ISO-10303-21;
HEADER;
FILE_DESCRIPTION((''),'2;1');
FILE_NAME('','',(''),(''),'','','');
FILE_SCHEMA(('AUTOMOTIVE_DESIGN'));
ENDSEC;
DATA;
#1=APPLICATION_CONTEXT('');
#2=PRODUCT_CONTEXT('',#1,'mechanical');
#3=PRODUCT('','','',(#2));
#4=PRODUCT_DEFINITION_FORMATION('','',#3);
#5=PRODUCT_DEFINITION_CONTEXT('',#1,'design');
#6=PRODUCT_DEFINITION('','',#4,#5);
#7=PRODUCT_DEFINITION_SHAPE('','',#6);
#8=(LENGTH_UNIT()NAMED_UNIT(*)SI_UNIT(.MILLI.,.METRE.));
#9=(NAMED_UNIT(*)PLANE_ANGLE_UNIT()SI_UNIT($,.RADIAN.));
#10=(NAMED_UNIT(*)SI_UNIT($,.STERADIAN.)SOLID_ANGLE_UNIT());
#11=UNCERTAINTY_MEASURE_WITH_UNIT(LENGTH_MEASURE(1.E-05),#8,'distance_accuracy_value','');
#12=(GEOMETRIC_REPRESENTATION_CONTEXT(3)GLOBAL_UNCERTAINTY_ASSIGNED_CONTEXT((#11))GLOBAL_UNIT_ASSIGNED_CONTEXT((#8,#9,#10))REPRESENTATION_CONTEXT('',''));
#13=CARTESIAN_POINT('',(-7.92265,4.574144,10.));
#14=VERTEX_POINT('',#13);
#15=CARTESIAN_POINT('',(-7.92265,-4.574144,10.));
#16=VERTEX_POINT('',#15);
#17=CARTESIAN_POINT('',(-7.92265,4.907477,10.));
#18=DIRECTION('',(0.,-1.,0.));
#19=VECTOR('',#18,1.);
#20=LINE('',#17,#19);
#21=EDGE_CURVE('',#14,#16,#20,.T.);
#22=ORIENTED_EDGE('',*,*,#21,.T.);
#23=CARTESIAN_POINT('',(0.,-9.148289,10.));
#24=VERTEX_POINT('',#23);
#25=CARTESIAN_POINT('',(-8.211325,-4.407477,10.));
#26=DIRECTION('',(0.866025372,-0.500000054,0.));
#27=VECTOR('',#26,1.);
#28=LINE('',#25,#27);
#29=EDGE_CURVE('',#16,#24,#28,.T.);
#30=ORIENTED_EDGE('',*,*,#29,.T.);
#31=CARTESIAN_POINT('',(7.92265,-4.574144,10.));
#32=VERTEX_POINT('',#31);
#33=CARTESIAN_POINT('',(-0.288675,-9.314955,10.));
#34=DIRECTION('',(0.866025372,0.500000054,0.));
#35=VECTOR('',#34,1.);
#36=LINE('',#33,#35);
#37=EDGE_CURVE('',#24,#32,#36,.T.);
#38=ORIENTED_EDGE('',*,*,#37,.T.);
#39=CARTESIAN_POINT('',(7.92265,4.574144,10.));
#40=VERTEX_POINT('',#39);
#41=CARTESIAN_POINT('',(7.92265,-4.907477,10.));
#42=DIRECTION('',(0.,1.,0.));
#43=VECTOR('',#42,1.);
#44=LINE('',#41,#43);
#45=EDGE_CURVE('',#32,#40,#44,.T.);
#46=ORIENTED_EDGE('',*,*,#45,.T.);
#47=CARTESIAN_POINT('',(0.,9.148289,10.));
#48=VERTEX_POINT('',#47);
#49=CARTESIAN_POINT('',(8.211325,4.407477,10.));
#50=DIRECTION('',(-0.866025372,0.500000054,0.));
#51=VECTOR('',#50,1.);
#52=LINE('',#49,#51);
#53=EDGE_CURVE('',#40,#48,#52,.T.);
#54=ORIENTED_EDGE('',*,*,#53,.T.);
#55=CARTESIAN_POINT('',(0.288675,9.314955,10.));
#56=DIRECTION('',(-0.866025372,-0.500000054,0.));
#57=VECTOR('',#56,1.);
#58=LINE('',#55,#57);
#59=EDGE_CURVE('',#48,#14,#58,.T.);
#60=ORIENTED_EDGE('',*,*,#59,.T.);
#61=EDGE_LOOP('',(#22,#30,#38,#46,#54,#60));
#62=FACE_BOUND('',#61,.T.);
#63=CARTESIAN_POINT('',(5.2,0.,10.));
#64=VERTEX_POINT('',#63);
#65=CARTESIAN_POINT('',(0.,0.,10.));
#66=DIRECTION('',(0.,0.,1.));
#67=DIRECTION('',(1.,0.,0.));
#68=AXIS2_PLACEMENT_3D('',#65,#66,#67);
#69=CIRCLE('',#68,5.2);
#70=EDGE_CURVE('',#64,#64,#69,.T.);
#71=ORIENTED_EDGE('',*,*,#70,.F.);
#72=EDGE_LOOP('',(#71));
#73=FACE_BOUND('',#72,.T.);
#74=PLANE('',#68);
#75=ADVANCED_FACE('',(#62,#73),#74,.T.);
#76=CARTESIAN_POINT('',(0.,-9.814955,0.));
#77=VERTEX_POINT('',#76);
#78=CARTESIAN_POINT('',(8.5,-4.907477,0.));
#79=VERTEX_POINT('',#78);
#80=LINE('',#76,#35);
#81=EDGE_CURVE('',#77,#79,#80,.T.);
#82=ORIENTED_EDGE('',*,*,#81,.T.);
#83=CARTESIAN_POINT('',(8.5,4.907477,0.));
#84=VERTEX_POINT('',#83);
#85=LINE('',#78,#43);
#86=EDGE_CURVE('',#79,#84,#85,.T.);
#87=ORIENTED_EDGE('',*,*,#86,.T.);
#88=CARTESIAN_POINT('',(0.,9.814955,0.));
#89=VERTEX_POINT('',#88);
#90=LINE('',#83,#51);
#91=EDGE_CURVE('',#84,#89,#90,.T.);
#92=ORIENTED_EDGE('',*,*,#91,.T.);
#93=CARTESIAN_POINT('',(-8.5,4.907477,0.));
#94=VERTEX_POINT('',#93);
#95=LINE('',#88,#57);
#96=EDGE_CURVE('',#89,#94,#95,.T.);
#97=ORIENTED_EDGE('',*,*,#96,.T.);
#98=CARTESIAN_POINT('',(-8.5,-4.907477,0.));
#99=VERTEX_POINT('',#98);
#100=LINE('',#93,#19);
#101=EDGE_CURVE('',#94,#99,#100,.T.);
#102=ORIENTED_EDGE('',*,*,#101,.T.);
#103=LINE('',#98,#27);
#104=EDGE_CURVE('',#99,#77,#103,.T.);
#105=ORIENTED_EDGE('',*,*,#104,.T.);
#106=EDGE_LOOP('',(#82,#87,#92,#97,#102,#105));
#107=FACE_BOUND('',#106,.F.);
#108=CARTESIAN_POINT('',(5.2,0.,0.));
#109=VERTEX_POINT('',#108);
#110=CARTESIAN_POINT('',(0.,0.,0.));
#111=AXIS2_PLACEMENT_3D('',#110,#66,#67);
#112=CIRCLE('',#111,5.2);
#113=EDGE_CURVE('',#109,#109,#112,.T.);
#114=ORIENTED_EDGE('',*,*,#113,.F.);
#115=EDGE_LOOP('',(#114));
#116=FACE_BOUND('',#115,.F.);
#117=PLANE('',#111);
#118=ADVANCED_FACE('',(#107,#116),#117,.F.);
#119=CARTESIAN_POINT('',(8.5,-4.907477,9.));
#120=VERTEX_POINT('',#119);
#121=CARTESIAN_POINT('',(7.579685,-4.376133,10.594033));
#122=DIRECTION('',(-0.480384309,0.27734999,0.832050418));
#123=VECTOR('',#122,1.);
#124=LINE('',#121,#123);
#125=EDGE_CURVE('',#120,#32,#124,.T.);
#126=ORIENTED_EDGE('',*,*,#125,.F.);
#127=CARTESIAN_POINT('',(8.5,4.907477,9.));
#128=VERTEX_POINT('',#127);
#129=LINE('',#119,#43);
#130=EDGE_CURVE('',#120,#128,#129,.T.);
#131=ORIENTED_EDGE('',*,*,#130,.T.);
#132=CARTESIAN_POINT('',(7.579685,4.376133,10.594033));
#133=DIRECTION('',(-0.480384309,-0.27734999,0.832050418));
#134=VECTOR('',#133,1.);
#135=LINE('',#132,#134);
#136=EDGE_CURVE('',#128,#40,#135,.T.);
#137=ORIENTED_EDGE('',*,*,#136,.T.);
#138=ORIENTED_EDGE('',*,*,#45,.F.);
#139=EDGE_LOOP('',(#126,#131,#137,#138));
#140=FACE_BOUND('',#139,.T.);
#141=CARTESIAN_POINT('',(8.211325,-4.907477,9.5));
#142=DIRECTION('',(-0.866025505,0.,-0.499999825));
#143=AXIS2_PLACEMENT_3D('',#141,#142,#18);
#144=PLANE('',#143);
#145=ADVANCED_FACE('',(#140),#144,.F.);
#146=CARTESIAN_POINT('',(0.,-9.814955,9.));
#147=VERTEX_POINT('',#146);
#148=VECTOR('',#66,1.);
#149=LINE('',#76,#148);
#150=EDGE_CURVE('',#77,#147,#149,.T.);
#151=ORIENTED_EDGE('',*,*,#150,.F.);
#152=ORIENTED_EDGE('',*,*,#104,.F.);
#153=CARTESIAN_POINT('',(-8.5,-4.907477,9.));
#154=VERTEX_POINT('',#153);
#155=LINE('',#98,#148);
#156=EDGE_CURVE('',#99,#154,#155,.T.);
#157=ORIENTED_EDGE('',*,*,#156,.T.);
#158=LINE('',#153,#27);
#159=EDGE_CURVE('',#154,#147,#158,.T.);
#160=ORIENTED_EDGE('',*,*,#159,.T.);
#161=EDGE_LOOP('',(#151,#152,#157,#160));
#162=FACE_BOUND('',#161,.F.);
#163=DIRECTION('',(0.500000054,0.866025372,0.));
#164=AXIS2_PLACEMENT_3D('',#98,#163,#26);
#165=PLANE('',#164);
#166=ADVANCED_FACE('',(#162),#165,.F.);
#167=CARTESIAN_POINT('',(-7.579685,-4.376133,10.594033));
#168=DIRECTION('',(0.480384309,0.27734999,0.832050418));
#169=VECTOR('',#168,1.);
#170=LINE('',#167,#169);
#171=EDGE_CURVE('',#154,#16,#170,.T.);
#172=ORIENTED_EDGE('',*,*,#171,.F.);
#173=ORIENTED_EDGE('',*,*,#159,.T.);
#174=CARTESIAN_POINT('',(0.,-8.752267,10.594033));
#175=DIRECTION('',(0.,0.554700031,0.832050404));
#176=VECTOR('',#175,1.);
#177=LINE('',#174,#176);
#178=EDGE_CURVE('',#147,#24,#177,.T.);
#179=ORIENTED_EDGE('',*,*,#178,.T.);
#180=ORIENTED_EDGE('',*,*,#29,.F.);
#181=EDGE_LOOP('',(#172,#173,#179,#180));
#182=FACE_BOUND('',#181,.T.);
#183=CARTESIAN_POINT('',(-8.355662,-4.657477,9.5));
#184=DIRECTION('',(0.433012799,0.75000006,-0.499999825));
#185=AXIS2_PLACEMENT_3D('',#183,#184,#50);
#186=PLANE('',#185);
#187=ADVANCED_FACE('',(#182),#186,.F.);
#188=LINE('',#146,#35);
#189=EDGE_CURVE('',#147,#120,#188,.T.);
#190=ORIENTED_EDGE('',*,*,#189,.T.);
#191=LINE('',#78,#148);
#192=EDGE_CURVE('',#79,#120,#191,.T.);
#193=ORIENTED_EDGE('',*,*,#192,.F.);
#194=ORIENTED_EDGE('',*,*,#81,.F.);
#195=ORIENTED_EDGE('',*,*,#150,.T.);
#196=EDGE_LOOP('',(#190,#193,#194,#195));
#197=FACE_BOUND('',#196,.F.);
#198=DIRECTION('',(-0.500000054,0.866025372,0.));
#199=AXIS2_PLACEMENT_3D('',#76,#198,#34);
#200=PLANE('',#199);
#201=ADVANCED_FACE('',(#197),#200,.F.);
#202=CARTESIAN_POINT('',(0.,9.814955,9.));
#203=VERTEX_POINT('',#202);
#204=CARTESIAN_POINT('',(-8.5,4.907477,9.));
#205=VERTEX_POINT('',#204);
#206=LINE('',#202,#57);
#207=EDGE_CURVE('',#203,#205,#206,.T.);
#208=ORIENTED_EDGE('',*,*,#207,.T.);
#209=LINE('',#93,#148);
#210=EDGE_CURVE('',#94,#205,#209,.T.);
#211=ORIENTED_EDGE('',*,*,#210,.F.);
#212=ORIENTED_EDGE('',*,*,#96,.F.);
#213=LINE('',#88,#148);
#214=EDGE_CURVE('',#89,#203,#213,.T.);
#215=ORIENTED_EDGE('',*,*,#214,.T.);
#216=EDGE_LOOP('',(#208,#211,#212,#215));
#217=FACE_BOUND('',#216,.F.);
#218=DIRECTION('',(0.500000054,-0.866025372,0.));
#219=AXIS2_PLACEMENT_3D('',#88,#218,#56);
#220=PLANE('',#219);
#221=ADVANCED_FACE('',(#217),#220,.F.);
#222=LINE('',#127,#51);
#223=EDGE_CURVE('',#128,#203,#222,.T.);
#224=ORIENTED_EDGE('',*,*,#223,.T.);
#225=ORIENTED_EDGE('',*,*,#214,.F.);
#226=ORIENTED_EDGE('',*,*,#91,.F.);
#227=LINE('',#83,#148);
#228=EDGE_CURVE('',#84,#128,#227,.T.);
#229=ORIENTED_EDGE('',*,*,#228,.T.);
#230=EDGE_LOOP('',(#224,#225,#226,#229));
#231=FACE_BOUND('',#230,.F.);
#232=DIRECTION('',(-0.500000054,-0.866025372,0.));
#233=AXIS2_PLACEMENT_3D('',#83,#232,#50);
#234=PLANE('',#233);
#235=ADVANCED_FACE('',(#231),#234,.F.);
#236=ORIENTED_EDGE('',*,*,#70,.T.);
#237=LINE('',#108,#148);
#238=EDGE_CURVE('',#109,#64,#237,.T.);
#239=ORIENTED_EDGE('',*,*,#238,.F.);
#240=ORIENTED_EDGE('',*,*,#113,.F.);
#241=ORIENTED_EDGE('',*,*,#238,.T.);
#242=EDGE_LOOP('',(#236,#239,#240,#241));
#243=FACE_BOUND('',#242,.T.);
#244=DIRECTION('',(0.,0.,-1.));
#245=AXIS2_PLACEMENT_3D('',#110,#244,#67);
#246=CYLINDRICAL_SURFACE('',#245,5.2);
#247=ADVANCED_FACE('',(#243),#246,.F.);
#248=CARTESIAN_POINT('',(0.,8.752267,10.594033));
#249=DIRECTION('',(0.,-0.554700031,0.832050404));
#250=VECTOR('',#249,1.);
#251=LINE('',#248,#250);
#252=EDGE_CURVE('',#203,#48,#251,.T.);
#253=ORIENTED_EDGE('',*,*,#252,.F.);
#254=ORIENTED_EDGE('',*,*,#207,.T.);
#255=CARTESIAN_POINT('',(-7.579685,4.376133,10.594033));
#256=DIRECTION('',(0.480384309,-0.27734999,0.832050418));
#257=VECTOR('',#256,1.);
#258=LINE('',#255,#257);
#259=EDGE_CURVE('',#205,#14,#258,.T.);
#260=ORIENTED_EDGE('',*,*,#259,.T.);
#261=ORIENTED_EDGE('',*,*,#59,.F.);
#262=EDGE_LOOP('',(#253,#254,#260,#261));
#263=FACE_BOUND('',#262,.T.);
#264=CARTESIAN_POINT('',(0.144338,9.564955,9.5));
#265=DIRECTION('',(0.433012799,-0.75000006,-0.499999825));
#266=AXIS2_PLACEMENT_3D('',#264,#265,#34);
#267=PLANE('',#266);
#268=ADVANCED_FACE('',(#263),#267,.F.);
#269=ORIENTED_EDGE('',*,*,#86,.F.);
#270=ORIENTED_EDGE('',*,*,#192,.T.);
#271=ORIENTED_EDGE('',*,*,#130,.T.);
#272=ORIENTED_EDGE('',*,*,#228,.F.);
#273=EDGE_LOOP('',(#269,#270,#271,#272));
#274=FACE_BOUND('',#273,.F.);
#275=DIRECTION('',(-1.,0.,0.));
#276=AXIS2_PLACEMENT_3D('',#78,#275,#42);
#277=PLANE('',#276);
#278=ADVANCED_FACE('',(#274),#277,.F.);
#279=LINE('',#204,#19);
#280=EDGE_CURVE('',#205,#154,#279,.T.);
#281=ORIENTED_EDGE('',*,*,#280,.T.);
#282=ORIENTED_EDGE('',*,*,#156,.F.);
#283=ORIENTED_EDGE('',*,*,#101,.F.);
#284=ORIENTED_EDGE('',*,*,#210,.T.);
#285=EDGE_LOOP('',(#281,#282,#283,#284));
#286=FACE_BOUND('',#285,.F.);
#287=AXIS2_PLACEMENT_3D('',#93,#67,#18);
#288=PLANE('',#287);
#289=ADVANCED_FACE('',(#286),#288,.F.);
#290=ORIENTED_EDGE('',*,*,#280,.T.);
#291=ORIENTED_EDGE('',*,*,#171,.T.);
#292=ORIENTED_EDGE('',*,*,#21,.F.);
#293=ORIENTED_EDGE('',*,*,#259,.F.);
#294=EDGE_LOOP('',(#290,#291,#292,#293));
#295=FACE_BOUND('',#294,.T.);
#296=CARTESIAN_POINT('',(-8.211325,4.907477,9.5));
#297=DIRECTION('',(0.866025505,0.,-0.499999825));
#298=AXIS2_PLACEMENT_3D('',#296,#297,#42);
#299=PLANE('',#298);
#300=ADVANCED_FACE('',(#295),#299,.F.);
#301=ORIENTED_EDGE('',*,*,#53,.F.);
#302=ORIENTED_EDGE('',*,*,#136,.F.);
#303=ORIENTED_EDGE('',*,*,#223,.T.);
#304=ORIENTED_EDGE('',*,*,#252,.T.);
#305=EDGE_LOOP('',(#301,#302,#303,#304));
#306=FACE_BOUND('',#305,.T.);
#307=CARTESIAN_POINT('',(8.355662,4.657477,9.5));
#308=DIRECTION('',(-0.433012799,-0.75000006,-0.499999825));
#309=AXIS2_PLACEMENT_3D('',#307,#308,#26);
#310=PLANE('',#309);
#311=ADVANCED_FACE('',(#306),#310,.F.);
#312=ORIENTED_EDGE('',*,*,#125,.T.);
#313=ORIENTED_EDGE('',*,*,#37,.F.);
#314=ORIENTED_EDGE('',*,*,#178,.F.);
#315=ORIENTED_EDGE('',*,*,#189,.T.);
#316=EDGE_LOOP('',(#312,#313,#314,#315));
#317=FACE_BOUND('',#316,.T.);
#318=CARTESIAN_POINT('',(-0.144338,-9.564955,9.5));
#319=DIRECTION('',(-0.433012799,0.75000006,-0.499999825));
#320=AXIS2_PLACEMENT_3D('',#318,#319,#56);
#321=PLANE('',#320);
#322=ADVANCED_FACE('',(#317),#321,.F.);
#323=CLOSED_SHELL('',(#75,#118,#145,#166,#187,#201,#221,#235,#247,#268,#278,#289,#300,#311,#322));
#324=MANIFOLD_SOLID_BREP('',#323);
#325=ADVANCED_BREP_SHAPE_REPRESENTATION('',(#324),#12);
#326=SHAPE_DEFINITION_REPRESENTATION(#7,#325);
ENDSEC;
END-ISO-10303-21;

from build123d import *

# Parameters (mm, degrees)
F0_R     = 5.2
F1_DEPTH = 10
F2_SIZE2 = 0.57735
F2_SIZE  = 1


with BuildPart() as f1:
    # F0 (on Top) → F1 (new body)
    with BuildSketch(Plane.XY):
        Polygon((8.5, -4.907477), (8.5, 4.907477), (0, 9.814955), (-8.5, 4.907477), (-8.5, -4.907477), (0, -9.814955), align=None)
        Circle(F0_R, mode=Mode.SUBTRACT)
    extrude(amount=F1_DEPTH)

    # F2
    f2_edges = [f1.edges().sort_by_distance(p)[0] for p in [
        (-4.25, 7.361216, 10),
        (4.25, 7.361216, 10),
        (8.5, 0, 10),
        (4.25, -7.361216, 10),
        (-4.25, -7.361216, 10),
        (-8.5, 0, 10),
    ]]
    chamfer(f2_edges, length=F2_SIZE, length2=F2_SIZE2)


solid = f1.part
